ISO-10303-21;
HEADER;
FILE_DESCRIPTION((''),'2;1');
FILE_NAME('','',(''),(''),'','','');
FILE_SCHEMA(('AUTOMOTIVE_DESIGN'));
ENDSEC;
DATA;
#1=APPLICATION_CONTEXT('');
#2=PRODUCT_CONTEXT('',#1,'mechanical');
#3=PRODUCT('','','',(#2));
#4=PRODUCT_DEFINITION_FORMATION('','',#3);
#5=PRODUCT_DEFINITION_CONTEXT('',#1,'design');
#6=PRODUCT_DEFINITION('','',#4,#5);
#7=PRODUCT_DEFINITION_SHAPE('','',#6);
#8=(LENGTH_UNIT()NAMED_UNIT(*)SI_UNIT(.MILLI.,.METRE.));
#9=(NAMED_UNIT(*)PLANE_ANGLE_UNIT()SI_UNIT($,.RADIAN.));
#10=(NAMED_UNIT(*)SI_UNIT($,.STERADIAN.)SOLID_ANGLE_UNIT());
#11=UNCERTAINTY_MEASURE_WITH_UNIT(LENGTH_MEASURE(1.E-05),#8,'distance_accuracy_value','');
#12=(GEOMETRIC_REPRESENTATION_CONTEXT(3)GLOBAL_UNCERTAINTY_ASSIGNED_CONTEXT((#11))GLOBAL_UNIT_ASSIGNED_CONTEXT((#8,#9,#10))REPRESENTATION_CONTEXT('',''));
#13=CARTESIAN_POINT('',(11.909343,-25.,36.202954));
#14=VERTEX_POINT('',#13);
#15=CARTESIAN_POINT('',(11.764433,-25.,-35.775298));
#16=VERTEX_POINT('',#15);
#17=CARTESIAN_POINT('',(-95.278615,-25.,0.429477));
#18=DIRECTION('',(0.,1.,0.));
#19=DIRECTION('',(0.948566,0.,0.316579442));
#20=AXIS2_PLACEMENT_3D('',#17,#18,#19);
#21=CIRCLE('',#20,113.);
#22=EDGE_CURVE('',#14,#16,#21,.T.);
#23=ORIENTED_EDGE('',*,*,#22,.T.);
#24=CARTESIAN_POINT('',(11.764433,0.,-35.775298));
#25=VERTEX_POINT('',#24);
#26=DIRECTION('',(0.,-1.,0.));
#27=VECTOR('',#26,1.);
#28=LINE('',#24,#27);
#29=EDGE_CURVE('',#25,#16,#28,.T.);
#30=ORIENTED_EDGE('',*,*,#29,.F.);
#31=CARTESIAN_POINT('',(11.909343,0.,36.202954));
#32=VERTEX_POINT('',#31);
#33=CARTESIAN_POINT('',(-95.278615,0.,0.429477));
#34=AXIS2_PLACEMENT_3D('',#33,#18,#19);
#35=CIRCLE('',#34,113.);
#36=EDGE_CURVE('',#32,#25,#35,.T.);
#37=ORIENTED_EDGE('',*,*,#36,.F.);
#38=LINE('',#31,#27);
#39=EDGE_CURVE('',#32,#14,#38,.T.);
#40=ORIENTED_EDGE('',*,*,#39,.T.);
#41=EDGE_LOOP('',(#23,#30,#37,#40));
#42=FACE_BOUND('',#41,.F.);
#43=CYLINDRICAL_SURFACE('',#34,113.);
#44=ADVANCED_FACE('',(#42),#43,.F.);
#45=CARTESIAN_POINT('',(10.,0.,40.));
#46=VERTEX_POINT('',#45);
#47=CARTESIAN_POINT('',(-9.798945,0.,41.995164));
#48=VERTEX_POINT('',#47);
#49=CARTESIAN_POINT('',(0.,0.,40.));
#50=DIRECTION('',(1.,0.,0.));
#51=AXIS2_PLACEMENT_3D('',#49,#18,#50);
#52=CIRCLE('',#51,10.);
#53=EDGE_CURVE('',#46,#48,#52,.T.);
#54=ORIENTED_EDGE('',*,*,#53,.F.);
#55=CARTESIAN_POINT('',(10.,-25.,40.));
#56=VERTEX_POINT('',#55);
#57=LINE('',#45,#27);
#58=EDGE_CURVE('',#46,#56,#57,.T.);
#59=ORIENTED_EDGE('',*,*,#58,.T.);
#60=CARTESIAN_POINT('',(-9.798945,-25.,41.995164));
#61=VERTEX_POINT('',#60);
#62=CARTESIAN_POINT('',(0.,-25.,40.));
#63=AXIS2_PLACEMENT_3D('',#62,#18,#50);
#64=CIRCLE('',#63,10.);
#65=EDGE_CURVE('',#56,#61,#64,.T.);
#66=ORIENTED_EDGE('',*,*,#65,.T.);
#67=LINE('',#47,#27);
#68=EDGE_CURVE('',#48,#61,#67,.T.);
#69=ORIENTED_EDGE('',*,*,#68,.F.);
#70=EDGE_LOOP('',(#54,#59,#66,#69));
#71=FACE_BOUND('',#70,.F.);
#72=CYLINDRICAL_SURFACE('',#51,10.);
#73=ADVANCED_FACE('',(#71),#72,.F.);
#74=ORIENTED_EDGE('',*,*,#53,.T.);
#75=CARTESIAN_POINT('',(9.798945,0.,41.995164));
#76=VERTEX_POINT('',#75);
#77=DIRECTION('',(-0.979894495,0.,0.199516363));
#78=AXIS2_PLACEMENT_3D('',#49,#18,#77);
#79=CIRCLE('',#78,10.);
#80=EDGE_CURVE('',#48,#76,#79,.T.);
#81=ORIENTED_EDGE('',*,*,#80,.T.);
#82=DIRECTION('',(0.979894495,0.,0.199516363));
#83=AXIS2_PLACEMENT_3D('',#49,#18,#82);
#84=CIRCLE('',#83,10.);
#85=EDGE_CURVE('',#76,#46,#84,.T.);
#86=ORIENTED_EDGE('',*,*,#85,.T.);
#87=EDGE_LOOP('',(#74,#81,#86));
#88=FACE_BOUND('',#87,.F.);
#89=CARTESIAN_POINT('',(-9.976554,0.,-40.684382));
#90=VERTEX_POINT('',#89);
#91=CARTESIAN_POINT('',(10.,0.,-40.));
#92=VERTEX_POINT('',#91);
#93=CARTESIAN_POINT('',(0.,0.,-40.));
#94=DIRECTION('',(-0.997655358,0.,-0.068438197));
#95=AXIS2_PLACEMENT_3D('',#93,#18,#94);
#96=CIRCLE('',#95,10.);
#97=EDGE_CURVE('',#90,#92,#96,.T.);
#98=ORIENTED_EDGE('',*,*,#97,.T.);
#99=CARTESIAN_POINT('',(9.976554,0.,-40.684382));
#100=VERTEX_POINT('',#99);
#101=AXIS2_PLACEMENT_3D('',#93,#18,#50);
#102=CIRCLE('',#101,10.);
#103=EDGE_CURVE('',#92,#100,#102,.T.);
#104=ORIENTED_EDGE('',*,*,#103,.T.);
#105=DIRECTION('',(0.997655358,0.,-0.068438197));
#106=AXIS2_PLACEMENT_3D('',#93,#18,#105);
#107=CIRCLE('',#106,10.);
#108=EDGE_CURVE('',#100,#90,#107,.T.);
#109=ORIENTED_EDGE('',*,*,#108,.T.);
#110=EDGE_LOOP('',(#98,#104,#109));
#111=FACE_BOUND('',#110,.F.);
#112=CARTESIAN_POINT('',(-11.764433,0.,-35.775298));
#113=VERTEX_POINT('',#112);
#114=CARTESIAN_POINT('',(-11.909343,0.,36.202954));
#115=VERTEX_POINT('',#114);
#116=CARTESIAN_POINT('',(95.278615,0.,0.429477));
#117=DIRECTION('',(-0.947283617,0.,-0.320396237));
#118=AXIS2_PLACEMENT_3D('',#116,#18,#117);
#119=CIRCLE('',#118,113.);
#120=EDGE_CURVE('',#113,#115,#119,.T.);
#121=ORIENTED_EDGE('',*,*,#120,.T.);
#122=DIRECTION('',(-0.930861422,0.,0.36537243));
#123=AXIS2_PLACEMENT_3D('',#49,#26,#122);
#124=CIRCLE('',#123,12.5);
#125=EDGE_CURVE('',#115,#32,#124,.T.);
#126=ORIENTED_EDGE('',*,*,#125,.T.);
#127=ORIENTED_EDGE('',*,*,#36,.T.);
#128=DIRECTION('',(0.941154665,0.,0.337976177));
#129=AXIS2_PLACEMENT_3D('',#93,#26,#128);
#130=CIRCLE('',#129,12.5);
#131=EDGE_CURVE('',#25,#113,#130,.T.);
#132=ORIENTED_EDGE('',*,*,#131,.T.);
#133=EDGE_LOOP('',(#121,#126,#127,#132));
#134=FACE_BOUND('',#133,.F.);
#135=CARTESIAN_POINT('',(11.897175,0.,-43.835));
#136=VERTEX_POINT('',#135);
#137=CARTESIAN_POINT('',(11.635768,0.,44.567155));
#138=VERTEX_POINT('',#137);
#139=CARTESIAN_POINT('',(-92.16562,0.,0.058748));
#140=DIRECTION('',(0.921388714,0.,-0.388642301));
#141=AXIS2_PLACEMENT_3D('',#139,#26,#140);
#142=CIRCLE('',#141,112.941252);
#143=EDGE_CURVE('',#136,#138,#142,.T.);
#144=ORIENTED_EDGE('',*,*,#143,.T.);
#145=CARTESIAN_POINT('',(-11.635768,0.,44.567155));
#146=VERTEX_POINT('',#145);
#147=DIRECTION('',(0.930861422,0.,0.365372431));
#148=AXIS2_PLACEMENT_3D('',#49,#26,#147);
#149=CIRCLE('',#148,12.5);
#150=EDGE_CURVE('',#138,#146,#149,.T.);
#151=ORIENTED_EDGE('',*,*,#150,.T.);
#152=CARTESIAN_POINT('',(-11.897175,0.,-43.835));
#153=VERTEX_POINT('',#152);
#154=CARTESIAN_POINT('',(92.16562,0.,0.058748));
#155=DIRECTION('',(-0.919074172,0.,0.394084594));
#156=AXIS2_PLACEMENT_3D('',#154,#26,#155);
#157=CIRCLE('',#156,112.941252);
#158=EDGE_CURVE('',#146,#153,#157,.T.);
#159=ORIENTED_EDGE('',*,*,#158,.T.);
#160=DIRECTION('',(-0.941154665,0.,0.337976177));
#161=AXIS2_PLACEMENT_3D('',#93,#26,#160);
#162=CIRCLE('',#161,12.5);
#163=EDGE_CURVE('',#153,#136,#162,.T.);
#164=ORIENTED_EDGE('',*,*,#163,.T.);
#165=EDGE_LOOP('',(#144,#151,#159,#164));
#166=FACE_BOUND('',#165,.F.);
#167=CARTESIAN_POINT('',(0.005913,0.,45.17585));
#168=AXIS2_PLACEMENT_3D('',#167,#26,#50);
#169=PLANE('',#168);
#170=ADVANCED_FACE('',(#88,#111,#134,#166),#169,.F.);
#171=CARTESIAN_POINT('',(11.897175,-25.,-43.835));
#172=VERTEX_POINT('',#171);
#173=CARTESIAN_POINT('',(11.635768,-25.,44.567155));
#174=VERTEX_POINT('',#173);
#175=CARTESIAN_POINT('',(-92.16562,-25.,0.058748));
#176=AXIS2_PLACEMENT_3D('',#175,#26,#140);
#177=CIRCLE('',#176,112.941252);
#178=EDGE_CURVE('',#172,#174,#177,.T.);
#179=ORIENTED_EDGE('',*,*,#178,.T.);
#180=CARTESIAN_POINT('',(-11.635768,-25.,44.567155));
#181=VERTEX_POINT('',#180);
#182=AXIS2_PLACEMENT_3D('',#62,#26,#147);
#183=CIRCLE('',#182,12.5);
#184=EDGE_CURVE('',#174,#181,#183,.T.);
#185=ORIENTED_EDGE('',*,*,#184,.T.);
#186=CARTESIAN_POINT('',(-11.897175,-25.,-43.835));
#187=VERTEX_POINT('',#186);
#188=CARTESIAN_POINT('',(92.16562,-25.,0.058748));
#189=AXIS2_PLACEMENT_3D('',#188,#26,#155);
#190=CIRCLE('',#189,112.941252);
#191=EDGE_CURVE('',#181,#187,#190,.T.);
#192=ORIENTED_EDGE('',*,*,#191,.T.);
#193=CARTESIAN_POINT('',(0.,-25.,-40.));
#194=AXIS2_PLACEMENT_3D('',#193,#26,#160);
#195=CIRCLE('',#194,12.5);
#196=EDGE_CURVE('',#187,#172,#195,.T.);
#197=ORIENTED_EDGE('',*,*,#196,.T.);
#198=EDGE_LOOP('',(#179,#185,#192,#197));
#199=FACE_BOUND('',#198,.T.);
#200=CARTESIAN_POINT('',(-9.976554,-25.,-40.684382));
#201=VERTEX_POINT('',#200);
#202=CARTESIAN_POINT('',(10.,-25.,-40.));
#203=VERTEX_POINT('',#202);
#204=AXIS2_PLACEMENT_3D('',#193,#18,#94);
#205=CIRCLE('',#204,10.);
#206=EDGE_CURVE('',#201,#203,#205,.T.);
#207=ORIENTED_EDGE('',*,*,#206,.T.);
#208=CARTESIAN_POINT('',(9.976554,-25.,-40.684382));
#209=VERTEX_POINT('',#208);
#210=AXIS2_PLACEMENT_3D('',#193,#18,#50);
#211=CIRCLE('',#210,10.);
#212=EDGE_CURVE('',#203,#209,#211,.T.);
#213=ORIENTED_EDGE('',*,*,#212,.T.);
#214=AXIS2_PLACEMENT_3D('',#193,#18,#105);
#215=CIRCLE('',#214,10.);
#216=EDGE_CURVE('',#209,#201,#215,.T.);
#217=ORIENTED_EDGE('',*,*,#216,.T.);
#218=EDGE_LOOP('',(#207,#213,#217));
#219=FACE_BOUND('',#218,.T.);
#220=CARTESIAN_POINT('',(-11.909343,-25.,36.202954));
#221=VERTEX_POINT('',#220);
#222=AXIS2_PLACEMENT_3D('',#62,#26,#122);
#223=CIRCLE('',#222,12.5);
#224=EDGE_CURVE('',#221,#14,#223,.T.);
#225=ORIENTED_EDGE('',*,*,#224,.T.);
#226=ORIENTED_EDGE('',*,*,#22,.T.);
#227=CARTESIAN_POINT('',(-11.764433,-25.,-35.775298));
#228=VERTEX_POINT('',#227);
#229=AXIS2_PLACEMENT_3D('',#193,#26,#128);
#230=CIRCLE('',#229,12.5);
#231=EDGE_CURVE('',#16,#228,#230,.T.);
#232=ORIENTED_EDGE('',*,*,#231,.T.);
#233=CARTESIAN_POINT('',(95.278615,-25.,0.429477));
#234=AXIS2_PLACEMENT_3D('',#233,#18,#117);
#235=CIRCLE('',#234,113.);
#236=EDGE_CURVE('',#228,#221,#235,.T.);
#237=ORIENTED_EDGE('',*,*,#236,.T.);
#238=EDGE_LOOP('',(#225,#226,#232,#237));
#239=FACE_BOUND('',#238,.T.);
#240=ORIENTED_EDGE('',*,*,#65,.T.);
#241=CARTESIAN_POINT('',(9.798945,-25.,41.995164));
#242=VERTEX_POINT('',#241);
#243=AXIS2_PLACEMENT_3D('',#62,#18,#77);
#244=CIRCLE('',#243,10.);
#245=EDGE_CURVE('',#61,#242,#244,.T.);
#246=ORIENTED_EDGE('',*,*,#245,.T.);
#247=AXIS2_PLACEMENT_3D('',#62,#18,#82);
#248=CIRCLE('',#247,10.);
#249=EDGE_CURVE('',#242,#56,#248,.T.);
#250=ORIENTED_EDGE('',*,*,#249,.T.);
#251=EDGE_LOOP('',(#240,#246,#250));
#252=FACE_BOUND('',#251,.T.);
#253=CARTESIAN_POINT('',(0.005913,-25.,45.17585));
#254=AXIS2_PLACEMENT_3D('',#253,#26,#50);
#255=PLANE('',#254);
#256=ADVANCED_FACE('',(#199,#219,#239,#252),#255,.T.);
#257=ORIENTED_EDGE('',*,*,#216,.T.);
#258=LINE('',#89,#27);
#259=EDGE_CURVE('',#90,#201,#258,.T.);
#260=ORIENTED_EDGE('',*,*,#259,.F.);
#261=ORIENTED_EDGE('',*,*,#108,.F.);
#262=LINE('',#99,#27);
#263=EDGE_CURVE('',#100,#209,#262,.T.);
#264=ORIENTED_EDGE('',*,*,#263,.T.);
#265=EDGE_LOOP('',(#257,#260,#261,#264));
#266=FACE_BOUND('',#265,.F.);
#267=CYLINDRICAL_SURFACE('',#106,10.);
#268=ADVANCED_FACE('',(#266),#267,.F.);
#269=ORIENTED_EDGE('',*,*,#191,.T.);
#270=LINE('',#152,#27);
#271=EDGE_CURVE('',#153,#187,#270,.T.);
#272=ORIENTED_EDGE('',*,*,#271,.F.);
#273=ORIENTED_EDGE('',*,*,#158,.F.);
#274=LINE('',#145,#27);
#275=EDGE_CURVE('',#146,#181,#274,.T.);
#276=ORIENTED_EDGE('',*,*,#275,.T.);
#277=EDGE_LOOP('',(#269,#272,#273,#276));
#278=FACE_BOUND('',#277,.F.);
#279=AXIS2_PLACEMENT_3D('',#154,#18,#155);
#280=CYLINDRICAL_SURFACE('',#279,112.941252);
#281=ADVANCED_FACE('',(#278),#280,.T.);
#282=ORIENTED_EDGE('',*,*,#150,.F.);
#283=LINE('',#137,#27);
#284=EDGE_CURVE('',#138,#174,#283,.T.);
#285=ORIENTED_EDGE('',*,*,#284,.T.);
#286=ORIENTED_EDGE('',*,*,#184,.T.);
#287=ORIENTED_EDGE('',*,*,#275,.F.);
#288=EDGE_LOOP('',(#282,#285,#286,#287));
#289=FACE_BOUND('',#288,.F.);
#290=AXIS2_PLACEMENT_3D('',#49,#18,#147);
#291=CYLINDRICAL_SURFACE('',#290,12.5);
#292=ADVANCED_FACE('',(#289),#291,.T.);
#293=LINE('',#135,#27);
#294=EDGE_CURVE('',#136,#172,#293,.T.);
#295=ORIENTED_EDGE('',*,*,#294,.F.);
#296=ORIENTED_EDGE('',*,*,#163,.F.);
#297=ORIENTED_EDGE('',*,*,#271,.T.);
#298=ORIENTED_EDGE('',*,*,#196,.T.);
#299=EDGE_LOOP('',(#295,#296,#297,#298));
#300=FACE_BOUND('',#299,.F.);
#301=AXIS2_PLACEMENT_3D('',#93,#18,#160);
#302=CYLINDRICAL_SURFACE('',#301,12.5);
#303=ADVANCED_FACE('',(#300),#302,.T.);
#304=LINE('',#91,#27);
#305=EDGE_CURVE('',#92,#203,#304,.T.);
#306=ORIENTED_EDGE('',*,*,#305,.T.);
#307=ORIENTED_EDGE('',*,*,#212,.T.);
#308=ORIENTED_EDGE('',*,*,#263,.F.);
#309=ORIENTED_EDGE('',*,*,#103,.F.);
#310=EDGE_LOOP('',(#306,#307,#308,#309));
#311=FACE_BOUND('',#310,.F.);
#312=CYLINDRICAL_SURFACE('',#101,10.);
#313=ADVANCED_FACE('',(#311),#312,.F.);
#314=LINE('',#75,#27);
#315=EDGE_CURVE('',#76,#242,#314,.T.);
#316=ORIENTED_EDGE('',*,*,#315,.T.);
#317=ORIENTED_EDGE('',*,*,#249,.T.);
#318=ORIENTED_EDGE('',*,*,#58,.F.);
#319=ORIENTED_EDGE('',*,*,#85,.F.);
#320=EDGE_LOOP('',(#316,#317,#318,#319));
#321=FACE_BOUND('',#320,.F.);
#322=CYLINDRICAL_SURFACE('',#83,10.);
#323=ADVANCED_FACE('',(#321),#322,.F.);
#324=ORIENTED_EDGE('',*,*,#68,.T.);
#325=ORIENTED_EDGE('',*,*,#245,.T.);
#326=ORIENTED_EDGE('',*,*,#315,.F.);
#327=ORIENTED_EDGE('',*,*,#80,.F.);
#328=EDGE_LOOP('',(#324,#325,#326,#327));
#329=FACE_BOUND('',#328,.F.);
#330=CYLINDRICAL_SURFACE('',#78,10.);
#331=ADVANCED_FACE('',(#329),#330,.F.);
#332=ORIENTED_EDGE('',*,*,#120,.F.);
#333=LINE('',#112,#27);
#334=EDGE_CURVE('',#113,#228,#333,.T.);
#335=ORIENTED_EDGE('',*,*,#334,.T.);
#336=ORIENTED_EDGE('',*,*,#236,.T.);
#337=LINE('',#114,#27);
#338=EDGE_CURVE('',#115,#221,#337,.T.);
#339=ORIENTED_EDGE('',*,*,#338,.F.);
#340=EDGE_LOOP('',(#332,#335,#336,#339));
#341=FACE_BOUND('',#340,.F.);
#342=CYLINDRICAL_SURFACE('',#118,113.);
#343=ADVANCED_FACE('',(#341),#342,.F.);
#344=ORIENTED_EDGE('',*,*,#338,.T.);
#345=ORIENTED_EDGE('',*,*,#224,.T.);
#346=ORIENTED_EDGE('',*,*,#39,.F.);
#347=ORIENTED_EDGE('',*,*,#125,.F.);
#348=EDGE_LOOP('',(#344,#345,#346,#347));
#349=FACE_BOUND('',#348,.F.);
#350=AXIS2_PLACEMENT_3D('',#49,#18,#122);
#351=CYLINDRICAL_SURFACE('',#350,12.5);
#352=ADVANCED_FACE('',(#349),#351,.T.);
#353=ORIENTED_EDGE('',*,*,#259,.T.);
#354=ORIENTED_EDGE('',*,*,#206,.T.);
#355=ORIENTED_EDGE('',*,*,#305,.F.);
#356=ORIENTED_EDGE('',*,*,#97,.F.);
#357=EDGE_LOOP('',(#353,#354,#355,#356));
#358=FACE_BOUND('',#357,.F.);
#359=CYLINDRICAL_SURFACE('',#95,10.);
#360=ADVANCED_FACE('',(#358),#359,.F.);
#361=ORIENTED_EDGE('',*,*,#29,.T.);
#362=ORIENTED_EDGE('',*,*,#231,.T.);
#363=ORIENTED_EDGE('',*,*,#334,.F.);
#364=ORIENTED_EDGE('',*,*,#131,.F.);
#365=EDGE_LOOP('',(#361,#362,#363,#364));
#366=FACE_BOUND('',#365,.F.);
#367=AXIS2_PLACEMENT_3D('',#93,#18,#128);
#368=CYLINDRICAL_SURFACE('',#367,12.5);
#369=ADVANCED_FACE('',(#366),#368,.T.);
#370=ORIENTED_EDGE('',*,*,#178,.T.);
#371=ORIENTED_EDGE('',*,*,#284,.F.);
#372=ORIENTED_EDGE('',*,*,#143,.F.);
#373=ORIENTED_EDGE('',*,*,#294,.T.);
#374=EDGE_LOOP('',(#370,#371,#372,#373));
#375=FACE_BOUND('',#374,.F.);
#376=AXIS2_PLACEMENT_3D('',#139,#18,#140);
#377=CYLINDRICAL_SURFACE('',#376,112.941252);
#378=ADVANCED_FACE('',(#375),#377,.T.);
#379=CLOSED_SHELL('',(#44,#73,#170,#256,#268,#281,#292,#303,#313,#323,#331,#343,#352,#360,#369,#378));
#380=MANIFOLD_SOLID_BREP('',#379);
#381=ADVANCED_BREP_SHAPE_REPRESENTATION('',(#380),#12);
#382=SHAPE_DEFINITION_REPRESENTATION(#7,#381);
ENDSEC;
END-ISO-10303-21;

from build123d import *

# Parameters (mm, degrees)
F1_DEPTH = 25


with BuildPart() as f1:
    # F0 (on Front) → F1 (new body)
    with BuildSketch(Plane.XZ):
        with BuildLine():
            ThreePointArc((-9.7989449483, 41.9951636275), (0, 50), (9.7989449483, 41.9951636275))
            ThreePointArc((9.7989449483, 41.9951636275), (10.8936502514, 39.1134530116), (11.9093426036, 36.2029539443))
            ThreePointArc((11.9093426036, 36.2029539443), (12.3514530025, 38.0786440394), (12.5, 40))
            ThreePointArc((12.5, 40), (12.2820417112, 42.324102279), (11.6357677755, 44.5671553812))
            ThreePointArc((11.6357677755, 44.5671553812), (0, 52.5), (-11.6357677755, 44.5671553812))
            ThreePointArc((-11.6357677755, 44.5671553812), (-12.493319099, 40.4086292818), (-11.9093426036, 36.2029539443))
            ThreePointArc((-11.9093426036, 36.2029539443), (-10.8936502514, 39.1134530116), (-9.7989449483, 41.9951636275))
        make_face()
        with BuildLine():
            ThreePointArc((9.7989449483, 41.9951636275), (9.9496092758, 41.0026341599), (10, 40))
            ThreePointArc((10, 40), (-1.0026341599, 30.0503907242), (-9.7989449483, 41.9951636275))
            ThreePointArc((-9.7989449483, 41.9951636275), (-10.8936502514, 39.1134530116), (-11.9093426036, 36.2029539443))
            ThreePointArc((-11.9093426036, 36.2029539443), (0, 27.5), (11.9093426036, 36.2029539443))
            ThreePointArc((11.9093426036, 36.2029539443), (10.8936502514, 39.1134530116), (9.7989449483, 41.9951636275))
        make_face()
        with BuildLine():
            ThreePointArc((-11.7644333165, -35.7752977924), (-17.7211555757, 0.20198165), (-11.9093426036, 36.2029539443))
            ThreePointArc((-11.9093426036, 36.2029539443), (-12.493319099, 40.4086292818), (-11.6357677755, 44.5671553812))
            ThreePointArc((-11.6357677755, 44.5671553812), (-20.7751383707, 0.3927164788), (-11.89717505, -43.835000108))
            ThreePointArc((-11.89717505, -43.835000108), (-12.4983050041, -39.7941553412), (-11.7644333165, -35.7752977924))
        make_face()
        with BuildLine():
            ThreePointArc((12.5, -40), (12.3147354104, -37.8558703929), (11.7644333165, -35.7752977924))
            ThreePointArc((11.7644333165, -35.7752977924), (10.8988684939, -38.2401740248), (9.9765535789, -40.6843819744))
            ThreePointArc((9.9765535789, -40.6843819744), (0, -50), (-9.9765535789, -40.6843819744))
            ThreePointArc((-9.9765535789, -40.6843819744), (-10.8988684939, -38.2401740248), (-11.7644333165, -35.7752977924))
            ThreePointArc((-11.7644333165, -35.7752977924), (-12.4983050041, -39.7941553412), (-11.89717505, -43.835000108))
            ThreePointArc((-11.89717505, -43.835000108), (0, -52.5), (11.89717505, -43.835000108))
            ThreePointArc((11.89717505, -43.835000108), (12.3483741465, -41.9410450632), (12.5, -40))
        make_face()
        with BuildLine():
            ThreePointArc((9.9765535789, -40.6843819744), (10.8988684939, -38.2401740248), (11.7644333165, -35.7752977924))
            ThreePointArc((11.7644333165, -35.7752977924), (0, -27.5), (-11.7644333165, -35.7752977924))
            ThreePointArc((-11.7644333165, -35.7752977924), (-10.8988684939, -38.2401740248), (-9.9765535789, -40.6843819744))
            ThreePointArc((-9.9765535789, -40.6843819744), (-0.3423917426, -30.0058633242), (10, -40))
            ThreePointArc((10, -40), (9.9941366758, -40.3423917426), (9.9765535789, -40.6843819744))
        make_face()
        with BuildLine():
            ThreePointArc((12.5, 40), (12.3514530025, 38.0786440394), (11.9093426036, 36.2029539443))
            ThreePointArc((11.9093426036, 36.2029539443), (17.7211555757, 0.20198165), (11.7644333165, -35.7752977924))
            ThreePointArc((11.7644333165, -35.7752977924), (12.3147354104, -37.8558703929), (12.5, -40))
            ThreePointArc((12.5, -40), (12.3483741465, -41.9410450632), (11.89717505, -43.835000108))
            ThreePointArc((11.89717505, -43.835000108), (20.7751383707, 0.3927164788), (11.6357677755, 44.5671553812))
            ThreePointArc((11.6357677755, 44.5671553812), (12.2820417112, 42.324102279), (12.5, 40))
        make_face()
    extrude(amount=F1_DEPTH)


solid = f1.part
